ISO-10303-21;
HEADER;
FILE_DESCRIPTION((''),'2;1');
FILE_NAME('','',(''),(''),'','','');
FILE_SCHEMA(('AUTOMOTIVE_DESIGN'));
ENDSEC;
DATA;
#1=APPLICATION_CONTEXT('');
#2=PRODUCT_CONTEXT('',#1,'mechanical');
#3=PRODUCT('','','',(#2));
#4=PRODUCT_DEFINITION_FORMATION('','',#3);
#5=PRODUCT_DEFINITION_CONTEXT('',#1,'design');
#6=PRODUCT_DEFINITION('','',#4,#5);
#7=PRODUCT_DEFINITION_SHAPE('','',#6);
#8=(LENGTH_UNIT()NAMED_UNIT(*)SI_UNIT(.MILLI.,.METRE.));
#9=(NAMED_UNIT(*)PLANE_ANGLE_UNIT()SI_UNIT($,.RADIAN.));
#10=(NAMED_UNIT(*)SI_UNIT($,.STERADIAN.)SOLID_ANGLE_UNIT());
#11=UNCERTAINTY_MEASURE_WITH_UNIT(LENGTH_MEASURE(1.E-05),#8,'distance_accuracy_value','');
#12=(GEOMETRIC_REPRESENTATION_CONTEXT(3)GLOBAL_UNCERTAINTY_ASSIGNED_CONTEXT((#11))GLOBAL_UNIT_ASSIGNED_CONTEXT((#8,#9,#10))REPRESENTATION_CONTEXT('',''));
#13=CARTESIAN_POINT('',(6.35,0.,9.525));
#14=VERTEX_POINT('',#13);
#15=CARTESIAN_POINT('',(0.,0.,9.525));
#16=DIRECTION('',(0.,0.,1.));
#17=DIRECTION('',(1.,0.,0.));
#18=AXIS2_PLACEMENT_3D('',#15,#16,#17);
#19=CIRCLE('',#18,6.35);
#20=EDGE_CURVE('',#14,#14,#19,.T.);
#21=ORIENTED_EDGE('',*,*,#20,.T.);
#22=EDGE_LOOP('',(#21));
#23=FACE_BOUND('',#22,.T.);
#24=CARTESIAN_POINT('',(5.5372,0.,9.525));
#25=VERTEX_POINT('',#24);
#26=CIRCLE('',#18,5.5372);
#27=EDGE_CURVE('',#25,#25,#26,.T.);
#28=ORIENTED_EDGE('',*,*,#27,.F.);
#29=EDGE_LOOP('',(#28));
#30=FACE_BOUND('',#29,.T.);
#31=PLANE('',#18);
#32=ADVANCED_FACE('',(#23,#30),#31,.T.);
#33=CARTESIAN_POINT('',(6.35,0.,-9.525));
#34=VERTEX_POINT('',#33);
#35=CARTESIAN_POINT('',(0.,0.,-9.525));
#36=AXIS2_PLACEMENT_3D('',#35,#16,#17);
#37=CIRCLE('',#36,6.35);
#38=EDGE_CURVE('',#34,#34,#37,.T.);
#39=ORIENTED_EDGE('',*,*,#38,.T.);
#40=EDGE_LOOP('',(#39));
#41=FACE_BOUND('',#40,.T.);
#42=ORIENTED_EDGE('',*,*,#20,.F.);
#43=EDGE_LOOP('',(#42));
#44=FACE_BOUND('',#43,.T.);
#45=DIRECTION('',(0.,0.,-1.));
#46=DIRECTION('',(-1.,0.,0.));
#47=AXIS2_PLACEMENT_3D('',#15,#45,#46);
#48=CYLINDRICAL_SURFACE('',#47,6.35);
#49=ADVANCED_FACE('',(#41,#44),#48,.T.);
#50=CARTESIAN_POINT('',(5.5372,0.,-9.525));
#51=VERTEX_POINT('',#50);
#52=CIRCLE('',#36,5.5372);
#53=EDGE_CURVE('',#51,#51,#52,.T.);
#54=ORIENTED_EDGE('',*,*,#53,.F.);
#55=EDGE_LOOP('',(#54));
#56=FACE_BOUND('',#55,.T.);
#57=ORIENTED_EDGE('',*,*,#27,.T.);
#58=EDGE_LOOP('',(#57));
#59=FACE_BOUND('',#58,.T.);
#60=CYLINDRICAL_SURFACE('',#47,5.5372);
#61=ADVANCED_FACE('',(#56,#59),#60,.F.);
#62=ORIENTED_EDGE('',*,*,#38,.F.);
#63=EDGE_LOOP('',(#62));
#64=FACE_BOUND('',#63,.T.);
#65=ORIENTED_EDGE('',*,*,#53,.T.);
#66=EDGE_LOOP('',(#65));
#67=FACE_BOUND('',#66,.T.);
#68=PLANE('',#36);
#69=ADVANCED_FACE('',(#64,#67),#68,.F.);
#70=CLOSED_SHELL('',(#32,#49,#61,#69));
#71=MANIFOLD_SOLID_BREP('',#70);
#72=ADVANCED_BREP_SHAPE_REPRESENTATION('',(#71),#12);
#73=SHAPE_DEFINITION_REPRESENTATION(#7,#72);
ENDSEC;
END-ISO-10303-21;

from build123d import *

# Parameters (mm, degrees)
SKETCH2_R           = 6.35
SKETCH2_R_2         = 5.5372
BOSS_EXTRUDE1_DEPTH = 9.525


with BuildPart() as part:
    # Sketch2 → Boss-Extrude1 (new, symmetric)
    with BuildSketch(Plane.XY):
        Circle(SKETCH2_R)
        Circle(SKETCH2_R_2, mode=Mode.SUBTRACT)
    extrude(amount=BOSS_EXTRUDE1_DEPTH, both=True)


solid = part.part
